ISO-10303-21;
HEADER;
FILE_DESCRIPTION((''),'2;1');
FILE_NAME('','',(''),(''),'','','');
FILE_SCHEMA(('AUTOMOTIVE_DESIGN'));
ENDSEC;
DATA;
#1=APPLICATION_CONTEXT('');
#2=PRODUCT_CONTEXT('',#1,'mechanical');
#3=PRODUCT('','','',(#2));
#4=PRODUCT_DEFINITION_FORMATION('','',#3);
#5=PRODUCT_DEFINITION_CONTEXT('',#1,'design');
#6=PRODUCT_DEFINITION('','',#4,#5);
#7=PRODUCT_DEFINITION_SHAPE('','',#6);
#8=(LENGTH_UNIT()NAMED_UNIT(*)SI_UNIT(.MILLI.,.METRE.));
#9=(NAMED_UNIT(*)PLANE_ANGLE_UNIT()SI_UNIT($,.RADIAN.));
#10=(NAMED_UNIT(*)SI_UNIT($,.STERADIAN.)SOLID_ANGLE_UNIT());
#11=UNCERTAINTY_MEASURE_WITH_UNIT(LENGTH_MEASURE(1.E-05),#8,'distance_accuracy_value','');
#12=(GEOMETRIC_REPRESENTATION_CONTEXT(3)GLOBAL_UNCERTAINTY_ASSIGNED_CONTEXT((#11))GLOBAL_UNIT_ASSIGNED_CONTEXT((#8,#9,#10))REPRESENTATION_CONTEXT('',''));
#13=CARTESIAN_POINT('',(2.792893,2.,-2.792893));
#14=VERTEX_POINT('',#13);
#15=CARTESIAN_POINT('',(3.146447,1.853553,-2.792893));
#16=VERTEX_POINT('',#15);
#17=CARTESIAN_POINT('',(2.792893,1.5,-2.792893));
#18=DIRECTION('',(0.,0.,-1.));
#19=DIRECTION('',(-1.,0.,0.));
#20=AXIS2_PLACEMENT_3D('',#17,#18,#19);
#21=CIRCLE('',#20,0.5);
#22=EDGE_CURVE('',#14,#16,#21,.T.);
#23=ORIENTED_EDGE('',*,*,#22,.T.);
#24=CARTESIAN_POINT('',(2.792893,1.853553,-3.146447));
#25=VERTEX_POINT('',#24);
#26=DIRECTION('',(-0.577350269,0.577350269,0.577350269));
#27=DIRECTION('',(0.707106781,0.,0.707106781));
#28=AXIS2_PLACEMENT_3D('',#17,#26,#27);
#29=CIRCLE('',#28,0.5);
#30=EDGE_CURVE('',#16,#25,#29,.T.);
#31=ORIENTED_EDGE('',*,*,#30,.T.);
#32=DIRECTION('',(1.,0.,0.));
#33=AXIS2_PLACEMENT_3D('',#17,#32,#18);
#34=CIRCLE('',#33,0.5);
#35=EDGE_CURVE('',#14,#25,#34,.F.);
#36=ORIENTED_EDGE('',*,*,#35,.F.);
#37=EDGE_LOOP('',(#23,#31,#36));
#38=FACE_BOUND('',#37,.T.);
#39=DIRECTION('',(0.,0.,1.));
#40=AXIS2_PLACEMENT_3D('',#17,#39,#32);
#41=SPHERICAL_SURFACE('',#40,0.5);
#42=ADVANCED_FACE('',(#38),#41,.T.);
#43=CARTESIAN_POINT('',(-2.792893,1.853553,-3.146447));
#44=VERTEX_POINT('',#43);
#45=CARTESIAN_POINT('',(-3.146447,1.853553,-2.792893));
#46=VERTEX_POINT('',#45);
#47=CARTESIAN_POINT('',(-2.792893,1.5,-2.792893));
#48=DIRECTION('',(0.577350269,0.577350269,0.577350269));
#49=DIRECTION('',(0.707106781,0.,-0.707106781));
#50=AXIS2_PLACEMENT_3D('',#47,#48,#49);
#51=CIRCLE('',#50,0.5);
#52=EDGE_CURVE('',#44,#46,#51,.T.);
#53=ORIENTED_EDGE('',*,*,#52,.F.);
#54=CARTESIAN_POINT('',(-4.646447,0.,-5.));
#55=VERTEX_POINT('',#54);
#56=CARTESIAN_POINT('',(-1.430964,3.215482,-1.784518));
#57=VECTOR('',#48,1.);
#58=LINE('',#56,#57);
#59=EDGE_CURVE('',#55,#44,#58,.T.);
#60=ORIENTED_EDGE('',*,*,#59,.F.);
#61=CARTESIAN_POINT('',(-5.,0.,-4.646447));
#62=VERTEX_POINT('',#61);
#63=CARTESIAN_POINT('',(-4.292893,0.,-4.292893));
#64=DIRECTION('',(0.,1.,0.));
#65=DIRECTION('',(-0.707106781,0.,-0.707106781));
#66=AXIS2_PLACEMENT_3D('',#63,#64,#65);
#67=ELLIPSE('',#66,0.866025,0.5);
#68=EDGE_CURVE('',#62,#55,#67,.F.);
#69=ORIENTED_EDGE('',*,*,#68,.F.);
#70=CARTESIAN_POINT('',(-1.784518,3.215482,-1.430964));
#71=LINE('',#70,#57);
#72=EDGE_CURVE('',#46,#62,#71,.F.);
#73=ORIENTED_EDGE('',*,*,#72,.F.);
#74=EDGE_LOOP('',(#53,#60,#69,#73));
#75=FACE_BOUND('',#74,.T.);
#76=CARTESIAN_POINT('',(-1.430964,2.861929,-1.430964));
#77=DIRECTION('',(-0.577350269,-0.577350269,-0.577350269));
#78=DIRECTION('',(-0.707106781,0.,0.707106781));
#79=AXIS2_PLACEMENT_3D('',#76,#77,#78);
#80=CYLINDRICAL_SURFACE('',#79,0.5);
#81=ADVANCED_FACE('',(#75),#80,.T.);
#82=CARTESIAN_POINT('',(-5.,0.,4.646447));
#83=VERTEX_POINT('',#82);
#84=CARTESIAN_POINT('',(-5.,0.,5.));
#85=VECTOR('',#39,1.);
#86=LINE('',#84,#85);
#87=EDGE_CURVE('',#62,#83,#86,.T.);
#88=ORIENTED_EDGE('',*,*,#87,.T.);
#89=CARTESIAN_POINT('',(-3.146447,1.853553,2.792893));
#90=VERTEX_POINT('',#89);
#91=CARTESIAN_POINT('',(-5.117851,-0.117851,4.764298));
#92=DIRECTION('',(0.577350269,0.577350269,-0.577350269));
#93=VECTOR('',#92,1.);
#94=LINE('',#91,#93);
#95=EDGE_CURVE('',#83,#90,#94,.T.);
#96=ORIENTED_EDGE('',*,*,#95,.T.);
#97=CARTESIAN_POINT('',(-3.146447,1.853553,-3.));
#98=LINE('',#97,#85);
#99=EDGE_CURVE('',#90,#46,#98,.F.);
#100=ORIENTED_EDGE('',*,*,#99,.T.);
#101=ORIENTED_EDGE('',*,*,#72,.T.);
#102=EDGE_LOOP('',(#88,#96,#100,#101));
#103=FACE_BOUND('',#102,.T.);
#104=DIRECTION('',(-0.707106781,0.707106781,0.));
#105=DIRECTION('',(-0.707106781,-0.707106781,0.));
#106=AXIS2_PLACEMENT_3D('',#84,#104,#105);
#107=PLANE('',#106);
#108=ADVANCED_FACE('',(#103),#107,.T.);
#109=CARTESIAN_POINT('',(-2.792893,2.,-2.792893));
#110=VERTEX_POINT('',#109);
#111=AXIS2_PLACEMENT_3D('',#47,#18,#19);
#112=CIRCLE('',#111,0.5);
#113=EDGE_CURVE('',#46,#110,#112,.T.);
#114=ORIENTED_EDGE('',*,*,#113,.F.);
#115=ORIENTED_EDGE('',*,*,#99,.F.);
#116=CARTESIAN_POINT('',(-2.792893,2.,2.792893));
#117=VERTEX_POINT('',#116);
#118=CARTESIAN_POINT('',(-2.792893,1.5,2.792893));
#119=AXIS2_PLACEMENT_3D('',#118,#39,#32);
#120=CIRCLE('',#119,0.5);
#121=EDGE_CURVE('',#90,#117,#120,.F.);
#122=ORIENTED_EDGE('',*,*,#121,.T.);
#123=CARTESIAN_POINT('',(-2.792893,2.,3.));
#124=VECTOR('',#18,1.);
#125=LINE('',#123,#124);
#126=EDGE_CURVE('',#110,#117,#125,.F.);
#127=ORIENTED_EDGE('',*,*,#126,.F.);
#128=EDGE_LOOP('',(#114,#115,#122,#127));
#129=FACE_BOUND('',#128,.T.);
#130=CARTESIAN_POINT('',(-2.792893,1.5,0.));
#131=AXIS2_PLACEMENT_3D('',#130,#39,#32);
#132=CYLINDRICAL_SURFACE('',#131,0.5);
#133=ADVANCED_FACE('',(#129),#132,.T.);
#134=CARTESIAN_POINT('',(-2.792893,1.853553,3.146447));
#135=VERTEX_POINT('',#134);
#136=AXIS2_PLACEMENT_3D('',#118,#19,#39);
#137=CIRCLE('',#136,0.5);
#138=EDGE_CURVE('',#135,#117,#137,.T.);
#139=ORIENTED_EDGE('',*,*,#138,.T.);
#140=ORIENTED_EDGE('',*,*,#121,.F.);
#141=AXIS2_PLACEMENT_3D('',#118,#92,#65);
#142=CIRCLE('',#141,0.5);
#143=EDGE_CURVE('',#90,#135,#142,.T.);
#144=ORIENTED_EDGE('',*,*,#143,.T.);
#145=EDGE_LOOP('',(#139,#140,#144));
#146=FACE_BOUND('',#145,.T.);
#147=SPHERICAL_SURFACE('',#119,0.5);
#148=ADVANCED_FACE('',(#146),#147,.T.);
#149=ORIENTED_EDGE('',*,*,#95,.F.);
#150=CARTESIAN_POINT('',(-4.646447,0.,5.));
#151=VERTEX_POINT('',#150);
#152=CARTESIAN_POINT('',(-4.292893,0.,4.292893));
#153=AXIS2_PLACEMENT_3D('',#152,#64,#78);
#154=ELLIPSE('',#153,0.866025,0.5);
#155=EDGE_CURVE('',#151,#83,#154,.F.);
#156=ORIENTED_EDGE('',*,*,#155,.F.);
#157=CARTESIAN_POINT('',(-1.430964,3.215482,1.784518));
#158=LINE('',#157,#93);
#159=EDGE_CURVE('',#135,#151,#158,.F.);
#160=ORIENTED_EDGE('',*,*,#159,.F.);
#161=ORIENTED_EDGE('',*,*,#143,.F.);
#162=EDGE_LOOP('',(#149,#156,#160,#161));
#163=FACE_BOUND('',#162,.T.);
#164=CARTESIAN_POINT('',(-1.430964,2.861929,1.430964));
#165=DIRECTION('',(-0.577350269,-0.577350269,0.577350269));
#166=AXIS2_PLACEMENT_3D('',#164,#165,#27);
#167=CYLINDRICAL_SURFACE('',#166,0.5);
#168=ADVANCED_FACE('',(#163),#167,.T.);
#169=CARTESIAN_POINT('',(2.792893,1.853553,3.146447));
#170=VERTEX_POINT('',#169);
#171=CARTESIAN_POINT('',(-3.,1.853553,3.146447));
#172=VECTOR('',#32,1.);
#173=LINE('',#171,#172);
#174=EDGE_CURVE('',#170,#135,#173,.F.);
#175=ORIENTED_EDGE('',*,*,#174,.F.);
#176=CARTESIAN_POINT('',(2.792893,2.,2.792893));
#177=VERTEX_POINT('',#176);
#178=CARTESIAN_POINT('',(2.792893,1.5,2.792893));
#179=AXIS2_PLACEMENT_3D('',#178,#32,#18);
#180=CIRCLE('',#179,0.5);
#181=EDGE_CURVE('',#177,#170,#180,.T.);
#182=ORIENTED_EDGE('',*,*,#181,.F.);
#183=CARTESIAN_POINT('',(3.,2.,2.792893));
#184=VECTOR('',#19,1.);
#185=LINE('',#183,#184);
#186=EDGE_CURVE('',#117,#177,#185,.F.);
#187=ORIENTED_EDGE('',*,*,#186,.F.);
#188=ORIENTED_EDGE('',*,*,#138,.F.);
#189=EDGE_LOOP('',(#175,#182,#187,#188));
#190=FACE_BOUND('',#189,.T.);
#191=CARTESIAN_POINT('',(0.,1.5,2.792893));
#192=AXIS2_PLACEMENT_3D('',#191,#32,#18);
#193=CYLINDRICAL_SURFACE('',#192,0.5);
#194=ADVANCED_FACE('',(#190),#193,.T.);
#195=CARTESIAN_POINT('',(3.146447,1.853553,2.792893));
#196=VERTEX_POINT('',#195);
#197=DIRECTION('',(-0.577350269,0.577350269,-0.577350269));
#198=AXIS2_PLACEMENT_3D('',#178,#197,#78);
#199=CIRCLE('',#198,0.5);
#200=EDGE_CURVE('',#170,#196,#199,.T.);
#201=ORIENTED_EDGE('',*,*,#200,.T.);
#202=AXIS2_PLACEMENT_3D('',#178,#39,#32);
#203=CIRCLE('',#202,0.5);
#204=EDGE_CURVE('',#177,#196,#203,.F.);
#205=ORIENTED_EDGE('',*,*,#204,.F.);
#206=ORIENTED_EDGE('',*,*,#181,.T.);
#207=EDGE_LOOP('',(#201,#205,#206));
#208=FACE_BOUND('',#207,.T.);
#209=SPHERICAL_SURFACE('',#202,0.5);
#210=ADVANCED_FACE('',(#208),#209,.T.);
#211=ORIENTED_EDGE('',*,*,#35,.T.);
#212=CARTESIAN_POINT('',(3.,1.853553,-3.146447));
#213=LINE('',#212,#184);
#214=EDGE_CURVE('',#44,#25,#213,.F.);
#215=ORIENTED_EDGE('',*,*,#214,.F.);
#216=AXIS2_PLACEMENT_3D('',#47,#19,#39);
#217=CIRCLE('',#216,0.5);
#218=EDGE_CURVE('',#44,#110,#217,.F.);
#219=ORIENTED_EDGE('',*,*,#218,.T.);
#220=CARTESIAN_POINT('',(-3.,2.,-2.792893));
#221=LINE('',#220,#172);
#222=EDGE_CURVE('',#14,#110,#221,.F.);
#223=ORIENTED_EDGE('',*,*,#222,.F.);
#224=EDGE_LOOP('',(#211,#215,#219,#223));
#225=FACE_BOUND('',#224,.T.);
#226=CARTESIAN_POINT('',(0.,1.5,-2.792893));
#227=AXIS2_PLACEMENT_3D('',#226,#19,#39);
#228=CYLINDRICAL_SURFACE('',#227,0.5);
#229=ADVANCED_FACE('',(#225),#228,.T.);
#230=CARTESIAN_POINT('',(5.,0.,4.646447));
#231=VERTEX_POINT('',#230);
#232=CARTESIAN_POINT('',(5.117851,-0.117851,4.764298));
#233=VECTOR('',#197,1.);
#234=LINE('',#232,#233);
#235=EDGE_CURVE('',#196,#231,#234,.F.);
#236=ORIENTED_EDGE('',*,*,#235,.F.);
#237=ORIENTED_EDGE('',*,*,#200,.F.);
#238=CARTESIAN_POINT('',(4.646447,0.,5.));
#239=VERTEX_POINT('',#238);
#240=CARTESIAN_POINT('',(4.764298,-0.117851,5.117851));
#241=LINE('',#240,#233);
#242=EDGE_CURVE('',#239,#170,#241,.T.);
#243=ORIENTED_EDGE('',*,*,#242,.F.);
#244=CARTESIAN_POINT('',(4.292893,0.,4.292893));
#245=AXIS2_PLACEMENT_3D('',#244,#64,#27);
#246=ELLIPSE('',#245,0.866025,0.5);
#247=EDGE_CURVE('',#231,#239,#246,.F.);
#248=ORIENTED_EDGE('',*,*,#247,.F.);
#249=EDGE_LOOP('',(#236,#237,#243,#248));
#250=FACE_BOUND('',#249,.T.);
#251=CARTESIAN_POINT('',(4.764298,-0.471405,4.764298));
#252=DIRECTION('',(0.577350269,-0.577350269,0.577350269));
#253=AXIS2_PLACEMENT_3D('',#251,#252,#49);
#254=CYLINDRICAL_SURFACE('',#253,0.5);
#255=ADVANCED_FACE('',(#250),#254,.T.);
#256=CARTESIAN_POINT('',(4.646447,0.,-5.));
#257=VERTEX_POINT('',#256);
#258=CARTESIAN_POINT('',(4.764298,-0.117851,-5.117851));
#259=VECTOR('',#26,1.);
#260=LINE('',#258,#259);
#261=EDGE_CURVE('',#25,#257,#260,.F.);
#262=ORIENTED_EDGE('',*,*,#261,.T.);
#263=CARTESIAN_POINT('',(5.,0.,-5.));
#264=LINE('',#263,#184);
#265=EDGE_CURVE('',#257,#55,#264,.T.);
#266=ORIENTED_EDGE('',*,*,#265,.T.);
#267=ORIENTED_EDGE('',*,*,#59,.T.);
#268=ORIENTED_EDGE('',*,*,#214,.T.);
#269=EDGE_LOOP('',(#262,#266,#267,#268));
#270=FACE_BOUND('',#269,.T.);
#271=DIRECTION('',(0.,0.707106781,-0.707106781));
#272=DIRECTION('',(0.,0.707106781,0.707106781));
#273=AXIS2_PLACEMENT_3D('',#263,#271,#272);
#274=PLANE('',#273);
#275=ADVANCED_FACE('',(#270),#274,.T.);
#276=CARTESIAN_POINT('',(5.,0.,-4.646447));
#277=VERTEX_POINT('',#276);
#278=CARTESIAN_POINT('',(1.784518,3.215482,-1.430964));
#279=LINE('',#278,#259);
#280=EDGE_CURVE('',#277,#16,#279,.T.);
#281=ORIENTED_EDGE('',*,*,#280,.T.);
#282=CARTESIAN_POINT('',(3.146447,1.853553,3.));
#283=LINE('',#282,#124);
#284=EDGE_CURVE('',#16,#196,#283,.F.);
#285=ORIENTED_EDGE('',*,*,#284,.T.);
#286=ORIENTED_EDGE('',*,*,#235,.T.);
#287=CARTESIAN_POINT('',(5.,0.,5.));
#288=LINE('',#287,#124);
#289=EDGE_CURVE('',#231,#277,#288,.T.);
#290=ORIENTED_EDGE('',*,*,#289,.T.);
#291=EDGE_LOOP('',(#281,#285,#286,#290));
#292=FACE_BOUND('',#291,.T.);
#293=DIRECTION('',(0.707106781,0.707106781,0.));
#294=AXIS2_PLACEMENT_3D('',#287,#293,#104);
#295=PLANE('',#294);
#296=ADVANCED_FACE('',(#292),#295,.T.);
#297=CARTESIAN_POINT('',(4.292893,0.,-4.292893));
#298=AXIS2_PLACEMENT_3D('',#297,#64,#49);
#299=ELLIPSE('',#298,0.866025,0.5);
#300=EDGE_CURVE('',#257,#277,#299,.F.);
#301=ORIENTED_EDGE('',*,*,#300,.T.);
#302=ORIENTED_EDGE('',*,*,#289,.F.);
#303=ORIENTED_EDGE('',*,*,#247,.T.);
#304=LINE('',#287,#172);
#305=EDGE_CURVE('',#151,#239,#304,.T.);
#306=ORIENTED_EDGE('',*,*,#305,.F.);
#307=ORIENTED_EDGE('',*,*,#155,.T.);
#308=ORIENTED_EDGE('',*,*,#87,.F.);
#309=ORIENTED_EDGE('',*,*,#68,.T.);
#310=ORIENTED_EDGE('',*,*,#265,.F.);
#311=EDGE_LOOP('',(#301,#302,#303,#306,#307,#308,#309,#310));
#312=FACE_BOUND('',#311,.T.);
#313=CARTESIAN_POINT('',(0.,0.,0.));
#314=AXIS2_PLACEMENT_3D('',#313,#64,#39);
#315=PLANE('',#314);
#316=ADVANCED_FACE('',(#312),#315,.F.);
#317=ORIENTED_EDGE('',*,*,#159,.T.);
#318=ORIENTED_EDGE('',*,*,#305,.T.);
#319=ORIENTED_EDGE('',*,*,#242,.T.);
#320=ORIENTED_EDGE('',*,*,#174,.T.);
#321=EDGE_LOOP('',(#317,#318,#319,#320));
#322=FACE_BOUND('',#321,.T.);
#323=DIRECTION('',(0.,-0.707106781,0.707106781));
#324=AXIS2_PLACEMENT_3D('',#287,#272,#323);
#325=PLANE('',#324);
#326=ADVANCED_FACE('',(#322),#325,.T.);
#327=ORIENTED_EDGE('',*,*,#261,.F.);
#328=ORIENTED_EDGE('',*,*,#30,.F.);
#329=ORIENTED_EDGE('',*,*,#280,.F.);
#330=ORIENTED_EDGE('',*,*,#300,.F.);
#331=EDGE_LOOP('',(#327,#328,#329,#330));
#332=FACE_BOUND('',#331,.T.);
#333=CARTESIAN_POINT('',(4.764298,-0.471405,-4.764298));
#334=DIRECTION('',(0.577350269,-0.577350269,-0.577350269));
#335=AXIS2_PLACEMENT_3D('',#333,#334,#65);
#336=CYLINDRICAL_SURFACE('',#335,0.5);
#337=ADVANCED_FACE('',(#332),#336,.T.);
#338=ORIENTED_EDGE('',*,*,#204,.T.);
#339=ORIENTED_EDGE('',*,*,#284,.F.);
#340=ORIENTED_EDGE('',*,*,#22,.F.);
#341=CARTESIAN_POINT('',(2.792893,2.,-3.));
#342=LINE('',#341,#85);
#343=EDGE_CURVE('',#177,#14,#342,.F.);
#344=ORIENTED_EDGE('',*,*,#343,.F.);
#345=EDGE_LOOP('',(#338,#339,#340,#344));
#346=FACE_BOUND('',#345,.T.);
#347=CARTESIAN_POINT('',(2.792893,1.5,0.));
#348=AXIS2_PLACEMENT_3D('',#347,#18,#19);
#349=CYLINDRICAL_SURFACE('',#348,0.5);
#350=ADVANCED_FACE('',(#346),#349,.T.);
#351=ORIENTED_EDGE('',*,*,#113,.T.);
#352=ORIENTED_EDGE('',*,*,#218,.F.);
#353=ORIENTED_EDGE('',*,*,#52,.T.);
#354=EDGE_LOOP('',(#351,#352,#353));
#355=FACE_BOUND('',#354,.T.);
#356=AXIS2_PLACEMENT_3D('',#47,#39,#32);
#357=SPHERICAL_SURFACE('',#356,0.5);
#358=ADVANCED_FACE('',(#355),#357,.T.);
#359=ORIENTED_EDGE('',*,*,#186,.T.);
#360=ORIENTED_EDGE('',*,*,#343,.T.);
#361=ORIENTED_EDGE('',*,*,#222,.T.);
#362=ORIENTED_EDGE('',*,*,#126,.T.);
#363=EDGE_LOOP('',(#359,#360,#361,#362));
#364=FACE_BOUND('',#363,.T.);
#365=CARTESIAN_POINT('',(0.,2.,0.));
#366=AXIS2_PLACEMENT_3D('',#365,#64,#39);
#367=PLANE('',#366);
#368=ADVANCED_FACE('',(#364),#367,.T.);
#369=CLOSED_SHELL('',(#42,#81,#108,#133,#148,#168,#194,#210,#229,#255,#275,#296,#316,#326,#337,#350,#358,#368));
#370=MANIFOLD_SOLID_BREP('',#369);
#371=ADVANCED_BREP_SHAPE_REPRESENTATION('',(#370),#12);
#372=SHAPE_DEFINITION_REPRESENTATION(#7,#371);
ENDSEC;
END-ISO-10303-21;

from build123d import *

# Parameters (mm, degrees)
CROQUIS1_W              = 10
CROQUIS1_H              = 10
SALIENTE_EXTRUIR1_DEPTH = 2
SALIENTE_EXTRUIR1_TAPER = 45
REDONDEO1_R             = 0.5


with BuildPart() as part:
    # Croquis1 → Saliente-Extruir1 (new body)
    with BuildSketch(Plane(origin=(0, 0, 0), x_dir=(1, 0, 0), z_dir=(0, 1, 0))):
        Rectangle(CROQUIS1_W, CROQUIS1_H)
    extrude(amount=SALIENTE_EXTRUIR1_DEPTH, taper=SALIENTE_EXTRUIR1_TAPER)

    # Redondeo1
    redondeo1_edges = [part.edges().sort_by_distance(p)[0] for p in [
        (3, 2, 0),
        (0, 2, -3),
        (-3, 2, 0),
        (0, 2, 3),
        (-4, 1, -4),
        (4, 1, -4),
        (4, 1, 4),
        (-4, 1, 4),
    ]]
    fillet(redondeo1_edges, radius=REDONDEO1_R)


solid = part.part
